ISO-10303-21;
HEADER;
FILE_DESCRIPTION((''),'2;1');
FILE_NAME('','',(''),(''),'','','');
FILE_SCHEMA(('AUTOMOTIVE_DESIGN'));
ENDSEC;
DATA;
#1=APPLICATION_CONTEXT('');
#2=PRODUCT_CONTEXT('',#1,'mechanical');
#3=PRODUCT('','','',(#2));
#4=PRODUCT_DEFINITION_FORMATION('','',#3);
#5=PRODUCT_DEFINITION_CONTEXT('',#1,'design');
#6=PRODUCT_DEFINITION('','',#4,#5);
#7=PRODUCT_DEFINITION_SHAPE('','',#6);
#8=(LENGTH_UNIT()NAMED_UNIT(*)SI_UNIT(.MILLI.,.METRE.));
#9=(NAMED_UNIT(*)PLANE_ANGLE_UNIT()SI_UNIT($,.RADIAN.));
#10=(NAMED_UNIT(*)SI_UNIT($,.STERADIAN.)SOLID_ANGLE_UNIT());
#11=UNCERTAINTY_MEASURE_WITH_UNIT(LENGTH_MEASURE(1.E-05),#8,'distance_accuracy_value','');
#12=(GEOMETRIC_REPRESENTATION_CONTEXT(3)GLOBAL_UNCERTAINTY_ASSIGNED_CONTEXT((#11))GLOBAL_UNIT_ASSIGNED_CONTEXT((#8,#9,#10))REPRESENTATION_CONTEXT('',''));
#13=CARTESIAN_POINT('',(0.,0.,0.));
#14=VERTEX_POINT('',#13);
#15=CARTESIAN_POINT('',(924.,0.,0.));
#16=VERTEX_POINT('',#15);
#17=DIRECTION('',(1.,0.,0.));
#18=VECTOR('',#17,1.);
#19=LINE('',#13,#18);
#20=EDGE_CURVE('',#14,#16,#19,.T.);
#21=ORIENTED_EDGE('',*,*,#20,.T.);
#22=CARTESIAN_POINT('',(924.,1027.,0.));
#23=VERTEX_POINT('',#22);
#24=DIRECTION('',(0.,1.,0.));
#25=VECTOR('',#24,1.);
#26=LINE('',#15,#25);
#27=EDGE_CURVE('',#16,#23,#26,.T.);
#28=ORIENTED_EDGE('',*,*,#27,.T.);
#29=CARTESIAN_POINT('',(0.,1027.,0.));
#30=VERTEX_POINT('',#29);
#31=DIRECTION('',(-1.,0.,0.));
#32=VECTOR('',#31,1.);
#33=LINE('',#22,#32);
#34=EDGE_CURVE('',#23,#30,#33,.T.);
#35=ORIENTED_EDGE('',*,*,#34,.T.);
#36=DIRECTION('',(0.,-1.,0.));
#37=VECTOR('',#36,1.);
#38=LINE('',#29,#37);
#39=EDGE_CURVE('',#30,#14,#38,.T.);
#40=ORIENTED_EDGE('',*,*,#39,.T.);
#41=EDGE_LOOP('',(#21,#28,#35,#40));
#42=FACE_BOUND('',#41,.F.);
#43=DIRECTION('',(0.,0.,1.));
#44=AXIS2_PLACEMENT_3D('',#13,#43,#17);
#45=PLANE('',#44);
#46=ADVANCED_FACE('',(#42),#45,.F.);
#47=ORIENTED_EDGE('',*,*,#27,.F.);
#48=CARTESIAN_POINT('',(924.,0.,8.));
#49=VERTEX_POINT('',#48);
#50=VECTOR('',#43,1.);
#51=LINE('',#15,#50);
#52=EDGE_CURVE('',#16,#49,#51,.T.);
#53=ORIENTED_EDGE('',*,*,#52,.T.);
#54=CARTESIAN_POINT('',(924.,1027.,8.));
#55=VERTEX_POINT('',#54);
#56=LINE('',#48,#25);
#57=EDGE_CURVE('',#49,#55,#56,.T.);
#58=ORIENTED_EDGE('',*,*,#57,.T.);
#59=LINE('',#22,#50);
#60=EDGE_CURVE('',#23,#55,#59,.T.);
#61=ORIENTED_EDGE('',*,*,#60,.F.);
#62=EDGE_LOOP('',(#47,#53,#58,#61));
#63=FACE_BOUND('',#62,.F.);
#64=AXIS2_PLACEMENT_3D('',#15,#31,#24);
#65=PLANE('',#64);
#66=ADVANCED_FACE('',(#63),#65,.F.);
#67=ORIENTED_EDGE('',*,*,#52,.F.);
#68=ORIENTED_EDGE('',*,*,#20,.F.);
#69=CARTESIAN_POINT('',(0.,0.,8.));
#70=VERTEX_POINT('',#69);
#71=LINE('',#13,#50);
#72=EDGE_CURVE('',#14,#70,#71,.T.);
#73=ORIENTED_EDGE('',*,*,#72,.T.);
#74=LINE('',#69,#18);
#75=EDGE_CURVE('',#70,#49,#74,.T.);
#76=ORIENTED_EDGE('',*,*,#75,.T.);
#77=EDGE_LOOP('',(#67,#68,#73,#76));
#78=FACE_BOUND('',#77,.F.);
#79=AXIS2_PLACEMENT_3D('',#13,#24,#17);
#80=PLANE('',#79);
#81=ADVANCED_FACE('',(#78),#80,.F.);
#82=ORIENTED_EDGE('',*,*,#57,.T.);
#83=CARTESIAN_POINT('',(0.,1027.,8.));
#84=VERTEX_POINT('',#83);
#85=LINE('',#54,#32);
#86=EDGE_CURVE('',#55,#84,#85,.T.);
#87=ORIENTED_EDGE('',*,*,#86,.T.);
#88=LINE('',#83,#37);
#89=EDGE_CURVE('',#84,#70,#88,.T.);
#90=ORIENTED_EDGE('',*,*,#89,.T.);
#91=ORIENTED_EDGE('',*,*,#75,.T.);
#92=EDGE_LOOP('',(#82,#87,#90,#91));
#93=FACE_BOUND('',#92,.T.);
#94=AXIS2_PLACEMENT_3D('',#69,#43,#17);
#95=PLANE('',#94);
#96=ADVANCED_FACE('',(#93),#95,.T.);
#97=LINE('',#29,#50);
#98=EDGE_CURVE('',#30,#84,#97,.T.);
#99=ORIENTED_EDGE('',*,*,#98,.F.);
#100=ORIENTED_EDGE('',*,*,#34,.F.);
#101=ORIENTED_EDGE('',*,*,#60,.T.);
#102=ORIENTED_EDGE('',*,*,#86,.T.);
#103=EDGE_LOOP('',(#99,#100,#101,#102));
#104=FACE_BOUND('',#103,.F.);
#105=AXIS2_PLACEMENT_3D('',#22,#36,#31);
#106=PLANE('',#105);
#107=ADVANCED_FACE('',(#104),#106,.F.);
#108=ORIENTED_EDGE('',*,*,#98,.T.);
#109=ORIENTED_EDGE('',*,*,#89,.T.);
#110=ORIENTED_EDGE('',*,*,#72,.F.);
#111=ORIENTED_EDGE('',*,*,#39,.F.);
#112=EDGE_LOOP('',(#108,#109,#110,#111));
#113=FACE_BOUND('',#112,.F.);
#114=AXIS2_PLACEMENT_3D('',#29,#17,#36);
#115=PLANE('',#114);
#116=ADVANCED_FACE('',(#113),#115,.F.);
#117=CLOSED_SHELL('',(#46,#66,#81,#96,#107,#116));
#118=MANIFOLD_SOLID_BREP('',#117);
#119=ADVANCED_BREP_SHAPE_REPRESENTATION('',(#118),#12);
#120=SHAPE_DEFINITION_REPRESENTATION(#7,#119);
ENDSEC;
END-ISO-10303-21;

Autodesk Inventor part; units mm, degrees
ref_plane "YZ Plane" through (0, 0, 0) normal (1, 0, 0) x (0, 1, 0)
ref_plane "XZ Plane" through (0, 0, 0) normal (0, 1, 0) x (-1, 0, 0)
ref_plane "XY Plane" through (0, 0, 0) normal (0, 0, 1) x (1, 0, 0)
sketch "Sketch1" plane through (0, 0, 0) normal (0, 0, 1) x (1, 0, 0)
  line L0 (0, 0) -> (924, 0)
  line L1 (924, 0) -> (924, 1027)
  line L2 (924, 1027) -> (0, 1027)
  line L3 (0, 1027) -> (0, 0)
  dimension "d0" = 924
  dimension "d1" = 1027
extrude "Extrusion1" add sketch "Sketch1" along normal blind 8
properties part number "workbench door" material "Polycarbonate, Clear"
